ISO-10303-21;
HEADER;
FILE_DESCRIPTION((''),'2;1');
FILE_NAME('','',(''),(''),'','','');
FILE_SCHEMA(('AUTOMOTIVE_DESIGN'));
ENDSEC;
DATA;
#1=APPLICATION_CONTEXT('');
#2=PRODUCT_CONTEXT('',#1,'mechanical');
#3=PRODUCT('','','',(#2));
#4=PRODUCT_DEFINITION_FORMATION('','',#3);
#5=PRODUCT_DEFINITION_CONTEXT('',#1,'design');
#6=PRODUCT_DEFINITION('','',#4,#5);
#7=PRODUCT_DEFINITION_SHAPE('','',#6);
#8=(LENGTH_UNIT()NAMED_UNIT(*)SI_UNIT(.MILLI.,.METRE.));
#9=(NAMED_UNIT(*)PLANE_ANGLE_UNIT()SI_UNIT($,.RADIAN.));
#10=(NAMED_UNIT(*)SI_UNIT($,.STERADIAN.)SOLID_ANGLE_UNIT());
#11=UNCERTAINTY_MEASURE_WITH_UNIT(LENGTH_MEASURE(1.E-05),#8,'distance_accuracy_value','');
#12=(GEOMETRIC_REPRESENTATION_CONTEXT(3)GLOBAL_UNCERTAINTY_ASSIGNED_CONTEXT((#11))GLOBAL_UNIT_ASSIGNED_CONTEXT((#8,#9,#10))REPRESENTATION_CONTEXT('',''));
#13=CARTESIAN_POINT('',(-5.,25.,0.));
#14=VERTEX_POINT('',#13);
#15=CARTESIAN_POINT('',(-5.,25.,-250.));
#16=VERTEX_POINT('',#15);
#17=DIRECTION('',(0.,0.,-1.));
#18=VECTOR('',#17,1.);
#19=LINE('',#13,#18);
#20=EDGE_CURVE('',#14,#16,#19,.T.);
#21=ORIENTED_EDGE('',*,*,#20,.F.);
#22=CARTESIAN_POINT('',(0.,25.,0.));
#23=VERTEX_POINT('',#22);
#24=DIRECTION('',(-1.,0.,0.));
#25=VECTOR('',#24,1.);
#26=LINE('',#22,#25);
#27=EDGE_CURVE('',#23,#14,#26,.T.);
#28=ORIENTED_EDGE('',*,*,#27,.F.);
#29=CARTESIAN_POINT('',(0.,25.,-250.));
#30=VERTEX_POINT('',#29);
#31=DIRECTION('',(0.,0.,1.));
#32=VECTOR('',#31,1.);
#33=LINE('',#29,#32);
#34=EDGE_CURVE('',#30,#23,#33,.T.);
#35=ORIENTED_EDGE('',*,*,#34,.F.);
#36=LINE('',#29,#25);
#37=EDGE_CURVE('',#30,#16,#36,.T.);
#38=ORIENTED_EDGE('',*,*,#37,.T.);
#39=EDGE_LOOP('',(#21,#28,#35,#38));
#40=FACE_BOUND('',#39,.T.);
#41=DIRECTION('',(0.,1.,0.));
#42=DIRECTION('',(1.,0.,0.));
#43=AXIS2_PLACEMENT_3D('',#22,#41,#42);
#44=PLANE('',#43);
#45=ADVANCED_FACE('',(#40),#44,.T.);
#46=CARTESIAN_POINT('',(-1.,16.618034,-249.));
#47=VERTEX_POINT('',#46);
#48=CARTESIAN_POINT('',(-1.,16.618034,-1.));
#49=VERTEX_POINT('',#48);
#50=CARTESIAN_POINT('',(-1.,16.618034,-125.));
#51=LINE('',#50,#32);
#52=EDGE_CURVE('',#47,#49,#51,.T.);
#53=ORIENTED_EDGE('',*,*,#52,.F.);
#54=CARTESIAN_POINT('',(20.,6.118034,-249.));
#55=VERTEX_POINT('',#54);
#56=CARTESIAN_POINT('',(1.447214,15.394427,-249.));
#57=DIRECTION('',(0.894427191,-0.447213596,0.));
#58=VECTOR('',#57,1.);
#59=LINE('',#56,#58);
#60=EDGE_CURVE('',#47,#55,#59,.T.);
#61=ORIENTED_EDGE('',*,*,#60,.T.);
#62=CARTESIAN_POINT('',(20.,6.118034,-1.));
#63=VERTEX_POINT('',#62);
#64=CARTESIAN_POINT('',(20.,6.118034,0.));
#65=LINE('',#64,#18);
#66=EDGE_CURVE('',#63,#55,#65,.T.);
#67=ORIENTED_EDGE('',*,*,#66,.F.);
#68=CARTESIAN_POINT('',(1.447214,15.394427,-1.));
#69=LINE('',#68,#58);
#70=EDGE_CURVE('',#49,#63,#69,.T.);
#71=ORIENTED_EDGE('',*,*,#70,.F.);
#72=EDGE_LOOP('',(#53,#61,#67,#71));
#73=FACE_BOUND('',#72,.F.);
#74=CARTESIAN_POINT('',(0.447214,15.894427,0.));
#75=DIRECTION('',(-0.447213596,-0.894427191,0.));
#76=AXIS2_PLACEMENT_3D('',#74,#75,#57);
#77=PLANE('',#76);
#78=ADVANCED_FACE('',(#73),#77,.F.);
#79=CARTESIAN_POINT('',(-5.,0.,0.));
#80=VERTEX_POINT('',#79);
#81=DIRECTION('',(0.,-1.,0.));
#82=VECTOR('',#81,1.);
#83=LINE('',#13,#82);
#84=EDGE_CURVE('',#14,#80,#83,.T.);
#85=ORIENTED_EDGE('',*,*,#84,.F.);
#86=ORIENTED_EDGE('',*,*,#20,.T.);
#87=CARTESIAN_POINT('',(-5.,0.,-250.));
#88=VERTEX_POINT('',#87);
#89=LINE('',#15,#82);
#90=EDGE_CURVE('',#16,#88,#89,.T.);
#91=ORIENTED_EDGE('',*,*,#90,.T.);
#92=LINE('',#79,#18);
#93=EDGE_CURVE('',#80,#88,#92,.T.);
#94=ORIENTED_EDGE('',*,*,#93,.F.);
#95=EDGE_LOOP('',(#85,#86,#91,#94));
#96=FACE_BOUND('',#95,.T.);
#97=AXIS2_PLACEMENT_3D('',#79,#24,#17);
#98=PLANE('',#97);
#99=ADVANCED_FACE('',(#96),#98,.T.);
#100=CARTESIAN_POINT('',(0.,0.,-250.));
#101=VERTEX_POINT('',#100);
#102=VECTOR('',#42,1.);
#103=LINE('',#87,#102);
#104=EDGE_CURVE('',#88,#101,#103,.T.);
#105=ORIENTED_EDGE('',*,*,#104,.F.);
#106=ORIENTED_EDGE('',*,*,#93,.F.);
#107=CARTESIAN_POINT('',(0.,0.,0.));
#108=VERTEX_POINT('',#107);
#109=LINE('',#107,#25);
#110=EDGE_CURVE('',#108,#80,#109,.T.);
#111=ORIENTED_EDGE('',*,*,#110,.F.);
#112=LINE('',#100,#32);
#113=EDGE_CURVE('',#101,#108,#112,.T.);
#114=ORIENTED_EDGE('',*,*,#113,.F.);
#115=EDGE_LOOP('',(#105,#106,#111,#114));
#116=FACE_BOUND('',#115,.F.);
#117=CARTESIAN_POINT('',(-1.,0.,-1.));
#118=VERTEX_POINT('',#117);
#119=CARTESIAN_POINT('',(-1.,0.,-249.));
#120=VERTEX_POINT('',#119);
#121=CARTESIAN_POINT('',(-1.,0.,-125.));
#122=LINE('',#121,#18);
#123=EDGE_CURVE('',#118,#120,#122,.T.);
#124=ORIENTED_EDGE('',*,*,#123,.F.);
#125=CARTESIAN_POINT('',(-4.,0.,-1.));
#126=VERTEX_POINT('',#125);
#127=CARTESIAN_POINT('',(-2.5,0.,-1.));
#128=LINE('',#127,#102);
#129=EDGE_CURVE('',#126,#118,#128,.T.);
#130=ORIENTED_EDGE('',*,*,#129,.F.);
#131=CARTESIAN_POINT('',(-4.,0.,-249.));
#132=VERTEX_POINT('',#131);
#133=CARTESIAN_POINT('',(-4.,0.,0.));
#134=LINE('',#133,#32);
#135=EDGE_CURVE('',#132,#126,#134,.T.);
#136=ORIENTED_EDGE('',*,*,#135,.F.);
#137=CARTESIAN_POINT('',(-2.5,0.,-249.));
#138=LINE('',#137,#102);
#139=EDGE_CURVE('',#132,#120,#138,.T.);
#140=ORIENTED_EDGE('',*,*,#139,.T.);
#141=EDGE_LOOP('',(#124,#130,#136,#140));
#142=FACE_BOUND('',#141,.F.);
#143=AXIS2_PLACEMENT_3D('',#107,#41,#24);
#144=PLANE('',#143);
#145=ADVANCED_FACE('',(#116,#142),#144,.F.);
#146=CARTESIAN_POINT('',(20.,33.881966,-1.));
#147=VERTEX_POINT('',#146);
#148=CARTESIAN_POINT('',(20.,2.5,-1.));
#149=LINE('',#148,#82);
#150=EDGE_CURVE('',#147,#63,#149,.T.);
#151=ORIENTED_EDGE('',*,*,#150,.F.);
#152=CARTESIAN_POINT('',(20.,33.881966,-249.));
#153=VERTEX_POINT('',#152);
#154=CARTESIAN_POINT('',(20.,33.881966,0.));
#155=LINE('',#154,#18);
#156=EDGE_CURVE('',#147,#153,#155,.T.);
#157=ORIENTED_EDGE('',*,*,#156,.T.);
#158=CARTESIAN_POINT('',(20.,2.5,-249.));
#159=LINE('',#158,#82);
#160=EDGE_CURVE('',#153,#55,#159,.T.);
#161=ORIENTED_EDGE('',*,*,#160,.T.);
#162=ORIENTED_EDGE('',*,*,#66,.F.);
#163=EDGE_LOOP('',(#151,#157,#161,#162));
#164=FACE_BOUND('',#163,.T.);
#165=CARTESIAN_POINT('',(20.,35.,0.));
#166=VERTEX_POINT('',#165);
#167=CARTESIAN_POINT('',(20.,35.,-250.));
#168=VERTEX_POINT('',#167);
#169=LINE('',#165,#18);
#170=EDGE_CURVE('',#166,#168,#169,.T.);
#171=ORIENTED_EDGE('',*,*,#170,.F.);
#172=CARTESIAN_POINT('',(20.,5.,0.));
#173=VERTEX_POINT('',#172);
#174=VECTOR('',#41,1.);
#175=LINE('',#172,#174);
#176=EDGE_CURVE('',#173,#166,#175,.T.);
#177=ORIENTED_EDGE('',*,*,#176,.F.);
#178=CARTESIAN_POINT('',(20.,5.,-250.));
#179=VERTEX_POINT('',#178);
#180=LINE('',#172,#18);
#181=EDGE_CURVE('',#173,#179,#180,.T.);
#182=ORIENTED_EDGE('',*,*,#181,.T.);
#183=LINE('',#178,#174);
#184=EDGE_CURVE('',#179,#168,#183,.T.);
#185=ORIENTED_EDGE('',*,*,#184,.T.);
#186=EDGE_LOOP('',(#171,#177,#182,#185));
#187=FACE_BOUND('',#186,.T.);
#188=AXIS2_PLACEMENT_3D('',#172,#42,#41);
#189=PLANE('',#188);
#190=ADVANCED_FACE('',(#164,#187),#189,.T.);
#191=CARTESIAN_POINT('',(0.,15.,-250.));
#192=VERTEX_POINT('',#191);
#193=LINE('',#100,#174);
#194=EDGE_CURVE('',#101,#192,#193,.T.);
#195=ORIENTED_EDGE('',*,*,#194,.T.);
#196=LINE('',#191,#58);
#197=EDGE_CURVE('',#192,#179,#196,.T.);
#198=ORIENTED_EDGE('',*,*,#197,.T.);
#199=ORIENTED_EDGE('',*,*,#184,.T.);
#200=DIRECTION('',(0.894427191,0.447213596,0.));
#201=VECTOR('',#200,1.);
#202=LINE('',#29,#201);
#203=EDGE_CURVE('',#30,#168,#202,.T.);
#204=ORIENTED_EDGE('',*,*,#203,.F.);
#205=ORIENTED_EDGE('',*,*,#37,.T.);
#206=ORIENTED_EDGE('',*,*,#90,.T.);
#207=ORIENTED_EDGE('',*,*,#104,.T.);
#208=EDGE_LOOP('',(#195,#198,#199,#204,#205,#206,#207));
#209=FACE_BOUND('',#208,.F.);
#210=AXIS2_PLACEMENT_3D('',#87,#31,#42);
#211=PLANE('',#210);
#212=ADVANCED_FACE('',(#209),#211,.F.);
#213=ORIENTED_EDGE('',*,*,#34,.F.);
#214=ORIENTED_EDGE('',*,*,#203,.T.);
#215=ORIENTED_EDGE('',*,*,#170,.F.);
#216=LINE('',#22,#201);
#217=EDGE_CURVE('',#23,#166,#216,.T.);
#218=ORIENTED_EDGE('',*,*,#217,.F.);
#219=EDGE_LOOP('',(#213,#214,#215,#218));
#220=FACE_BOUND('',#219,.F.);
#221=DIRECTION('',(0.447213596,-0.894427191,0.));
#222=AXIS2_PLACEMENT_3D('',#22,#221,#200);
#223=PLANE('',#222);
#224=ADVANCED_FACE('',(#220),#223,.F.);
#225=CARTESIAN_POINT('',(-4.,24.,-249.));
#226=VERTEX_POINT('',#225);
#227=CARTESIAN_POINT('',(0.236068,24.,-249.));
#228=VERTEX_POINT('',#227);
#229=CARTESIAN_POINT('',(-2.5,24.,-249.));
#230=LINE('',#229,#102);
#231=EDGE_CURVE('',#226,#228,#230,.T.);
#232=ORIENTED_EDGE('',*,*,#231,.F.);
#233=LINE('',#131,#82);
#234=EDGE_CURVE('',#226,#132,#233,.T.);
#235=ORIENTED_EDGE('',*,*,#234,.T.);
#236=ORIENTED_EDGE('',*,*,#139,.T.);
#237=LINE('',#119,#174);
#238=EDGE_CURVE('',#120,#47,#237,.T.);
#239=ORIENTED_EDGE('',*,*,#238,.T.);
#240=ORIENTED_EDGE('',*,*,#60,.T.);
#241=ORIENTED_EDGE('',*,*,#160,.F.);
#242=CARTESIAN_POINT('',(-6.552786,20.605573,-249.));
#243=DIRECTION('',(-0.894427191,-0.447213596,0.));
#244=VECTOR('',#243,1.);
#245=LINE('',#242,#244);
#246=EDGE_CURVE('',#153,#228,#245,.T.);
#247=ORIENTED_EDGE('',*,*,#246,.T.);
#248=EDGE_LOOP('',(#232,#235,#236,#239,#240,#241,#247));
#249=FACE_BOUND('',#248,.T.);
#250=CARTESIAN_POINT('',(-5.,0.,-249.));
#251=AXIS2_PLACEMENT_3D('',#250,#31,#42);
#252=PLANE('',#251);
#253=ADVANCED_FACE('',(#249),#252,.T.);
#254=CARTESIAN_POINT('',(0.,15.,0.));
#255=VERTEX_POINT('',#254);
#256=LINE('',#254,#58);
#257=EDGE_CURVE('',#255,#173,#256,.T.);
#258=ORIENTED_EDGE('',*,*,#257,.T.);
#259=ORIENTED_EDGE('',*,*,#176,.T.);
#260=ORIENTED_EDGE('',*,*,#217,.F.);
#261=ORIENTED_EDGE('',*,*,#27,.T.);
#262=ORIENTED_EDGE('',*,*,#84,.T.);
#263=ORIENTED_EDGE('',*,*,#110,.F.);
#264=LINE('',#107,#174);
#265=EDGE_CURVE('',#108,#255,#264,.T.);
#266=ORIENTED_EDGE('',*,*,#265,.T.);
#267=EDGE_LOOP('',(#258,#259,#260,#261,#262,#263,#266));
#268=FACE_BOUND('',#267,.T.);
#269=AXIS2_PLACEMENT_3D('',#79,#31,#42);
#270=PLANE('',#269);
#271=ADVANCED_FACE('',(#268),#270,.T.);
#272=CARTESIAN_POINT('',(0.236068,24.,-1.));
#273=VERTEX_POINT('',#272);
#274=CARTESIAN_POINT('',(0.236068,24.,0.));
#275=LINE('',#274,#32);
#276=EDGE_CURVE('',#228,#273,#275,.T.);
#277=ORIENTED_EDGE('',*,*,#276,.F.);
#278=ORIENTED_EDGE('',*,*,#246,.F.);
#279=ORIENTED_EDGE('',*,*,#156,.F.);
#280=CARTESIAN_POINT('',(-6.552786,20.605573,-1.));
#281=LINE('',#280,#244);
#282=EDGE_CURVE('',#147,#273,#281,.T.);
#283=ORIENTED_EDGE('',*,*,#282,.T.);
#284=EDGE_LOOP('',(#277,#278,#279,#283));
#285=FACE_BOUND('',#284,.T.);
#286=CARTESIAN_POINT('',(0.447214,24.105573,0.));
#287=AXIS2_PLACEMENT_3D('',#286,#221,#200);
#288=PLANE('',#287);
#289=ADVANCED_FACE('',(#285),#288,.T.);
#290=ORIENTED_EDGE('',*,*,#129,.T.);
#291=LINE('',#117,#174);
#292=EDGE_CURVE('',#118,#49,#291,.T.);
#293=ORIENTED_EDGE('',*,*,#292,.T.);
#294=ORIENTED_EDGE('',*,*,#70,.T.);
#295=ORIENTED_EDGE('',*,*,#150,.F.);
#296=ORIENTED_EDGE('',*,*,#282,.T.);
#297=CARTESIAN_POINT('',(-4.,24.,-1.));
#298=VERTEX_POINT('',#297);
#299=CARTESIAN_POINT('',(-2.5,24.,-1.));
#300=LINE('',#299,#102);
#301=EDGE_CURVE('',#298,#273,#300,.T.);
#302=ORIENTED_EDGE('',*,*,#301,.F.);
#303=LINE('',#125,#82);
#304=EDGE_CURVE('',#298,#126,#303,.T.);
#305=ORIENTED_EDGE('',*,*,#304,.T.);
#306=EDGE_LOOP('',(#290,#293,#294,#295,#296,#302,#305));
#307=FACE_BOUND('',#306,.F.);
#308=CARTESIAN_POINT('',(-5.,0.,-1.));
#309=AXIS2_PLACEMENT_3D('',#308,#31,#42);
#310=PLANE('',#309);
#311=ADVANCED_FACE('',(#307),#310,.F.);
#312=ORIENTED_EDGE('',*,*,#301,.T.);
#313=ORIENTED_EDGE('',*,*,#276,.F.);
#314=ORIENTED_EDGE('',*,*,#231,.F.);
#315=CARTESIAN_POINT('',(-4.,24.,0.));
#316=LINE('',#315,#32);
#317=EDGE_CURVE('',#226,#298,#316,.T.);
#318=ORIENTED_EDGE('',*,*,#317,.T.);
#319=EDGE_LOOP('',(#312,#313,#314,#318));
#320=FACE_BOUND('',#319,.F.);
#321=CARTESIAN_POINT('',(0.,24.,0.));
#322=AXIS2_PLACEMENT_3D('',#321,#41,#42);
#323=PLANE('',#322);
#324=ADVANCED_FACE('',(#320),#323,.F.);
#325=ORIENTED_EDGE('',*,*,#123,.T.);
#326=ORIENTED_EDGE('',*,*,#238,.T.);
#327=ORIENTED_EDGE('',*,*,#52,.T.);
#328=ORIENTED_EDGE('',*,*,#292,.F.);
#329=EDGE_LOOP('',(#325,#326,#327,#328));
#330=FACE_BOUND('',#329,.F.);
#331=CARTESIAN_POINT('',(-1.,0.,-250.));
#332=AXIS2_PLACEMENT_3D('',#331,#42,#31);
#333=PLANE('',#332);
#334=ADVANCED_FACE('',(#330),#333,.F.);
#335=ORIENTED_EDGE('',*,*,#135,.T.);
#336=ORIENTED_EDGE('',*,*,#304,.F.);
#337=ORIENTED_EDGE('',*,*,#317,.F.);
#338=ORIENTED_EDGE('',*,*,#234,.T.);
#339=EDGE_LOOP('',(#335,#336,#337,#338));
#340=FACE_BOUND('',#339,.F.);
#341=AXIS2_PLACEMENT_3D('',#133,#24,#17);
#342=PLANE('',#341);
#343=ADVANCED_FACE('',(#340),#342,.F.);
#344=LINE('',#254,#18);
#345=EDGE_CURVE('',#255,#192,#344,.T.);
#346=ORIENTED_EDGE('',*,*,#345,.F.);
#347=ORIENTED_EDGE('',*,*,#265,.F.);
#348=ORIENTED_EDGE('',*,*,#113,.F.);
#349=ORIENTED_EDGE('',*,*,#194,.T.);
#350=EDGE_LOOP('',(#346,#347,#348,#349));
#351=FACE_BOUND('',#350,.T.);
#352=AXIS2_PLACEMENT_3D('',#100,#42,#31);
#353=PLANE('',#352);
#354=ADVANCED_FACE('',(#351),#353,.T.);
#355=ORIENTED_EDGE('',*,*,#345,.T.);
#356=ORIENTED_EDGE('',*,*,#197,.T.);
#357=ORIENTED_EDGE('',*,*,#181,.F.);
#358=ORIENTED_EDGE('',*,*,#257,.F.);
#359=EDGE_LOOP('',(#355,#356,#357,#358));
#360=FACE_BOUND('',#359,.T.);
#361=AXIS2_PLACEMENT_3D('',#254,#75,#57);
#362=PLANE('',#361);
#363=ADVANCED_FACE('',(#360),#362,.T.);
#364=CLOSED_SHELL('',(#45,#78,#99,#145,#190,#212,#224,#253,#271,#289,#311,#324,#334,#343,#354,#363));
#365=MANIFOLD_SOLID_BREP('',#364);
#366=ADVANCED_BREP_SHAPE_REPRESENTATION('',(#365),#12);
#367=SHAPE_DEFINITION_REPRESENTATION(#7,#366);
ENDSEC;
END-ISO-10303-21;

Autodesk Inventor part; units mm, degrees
ref_plane "YZ Plane" through (0, 0, 0) normal (1, 0, 0) x (0, 1, 0)
ref_plane "XZ Plane" through (0, 0, 0) normal (0, 1, 0) x (-1, 0, 0)
ref_plane "XY Plane" through (0, 0, 0) normal (0, 0, 1) x (1, 0, 0)
sketch "草圖1" plane through (0, 0, 0) normal (0, 1, 0) x (-1, 0, 0)
  line L0 (0, 0) -> (5, 0)
  line L1 (5, 0) -> (5, -250)
  line L2 (5, -250) -> (0, -250)
  line L3 (0, -250) -> (0, 0)
  dimension "d0" = 5
  dimension "d1" = 250
extrude "擠出1" add sketch "草圖1" along normal blind 15
sketch "草圖3" plane through (0, 15, 0) normal (0, 1, 0) x (1, 0, 0)
  line L0 (0, 250) -> (-5, 250) projected
  line L1 (0, 0) -> (-5, 0)
  line L2 (-5, 0) -> (-5, 250)
  line L3 (-5, 250) -> (0, 250)
  line L4 (0, 250) -> (0, 0)
extrude "擠出3" add sketch "草圖3" along normal blind 10
sketch "草圖4" plane through (-5, 0, 0) normal (0, 0, 1) x (1, 0, 0)
  line L0 (5, 0) -> (5, 25) projected
  line L1 (0, 25) -> (5, 25) projected
  line L2 (5, 25) -> (0, 25) projected
  line L3 (5, 25) -> (25, 35)
  line L4 (5, 15) -> (25, 5)
  line L5 (25, 5) -> (25, 35)
  line L6 (0, 0) -> (5, 0) projected
  line L7 (0, 0) -> (0, 25) projected
  line L8 (-5, 0) -> (30, 0) projected
  dimension "d8" = 10
  dimension "d9" = 30
  dimension "d19" = 20
extrude "擠出4" add sketch "草圖4" against normal up to surface (250 mm away) contours L0 L3 L5 L4
shell "薄殼2" thickness 1 removed faces 2 at (20, 15, -83.3333) at (-1.6667, 0, -83.3333)
equation "\"d0\" = bottom_w"
equation "\"d1\" = bottom_l"
equation "\"d2\" = bottom_h"
equation "\"d6\" = nuzzle_lh"
equation "\"d8\" = nuzzle_lh"
equation "\"d9\" = 3 * nuzzle_lh"
equation "\"d15\" = nuzzle_lh"
equation "\"bottom_w\" = 5"
equation "\"bottom_l\" = 250"
equation "\"bottom_h\" = 15"
equation "\"nuzzle_lh\" = 10"
properties part number "nuzzle_v1_0310"
